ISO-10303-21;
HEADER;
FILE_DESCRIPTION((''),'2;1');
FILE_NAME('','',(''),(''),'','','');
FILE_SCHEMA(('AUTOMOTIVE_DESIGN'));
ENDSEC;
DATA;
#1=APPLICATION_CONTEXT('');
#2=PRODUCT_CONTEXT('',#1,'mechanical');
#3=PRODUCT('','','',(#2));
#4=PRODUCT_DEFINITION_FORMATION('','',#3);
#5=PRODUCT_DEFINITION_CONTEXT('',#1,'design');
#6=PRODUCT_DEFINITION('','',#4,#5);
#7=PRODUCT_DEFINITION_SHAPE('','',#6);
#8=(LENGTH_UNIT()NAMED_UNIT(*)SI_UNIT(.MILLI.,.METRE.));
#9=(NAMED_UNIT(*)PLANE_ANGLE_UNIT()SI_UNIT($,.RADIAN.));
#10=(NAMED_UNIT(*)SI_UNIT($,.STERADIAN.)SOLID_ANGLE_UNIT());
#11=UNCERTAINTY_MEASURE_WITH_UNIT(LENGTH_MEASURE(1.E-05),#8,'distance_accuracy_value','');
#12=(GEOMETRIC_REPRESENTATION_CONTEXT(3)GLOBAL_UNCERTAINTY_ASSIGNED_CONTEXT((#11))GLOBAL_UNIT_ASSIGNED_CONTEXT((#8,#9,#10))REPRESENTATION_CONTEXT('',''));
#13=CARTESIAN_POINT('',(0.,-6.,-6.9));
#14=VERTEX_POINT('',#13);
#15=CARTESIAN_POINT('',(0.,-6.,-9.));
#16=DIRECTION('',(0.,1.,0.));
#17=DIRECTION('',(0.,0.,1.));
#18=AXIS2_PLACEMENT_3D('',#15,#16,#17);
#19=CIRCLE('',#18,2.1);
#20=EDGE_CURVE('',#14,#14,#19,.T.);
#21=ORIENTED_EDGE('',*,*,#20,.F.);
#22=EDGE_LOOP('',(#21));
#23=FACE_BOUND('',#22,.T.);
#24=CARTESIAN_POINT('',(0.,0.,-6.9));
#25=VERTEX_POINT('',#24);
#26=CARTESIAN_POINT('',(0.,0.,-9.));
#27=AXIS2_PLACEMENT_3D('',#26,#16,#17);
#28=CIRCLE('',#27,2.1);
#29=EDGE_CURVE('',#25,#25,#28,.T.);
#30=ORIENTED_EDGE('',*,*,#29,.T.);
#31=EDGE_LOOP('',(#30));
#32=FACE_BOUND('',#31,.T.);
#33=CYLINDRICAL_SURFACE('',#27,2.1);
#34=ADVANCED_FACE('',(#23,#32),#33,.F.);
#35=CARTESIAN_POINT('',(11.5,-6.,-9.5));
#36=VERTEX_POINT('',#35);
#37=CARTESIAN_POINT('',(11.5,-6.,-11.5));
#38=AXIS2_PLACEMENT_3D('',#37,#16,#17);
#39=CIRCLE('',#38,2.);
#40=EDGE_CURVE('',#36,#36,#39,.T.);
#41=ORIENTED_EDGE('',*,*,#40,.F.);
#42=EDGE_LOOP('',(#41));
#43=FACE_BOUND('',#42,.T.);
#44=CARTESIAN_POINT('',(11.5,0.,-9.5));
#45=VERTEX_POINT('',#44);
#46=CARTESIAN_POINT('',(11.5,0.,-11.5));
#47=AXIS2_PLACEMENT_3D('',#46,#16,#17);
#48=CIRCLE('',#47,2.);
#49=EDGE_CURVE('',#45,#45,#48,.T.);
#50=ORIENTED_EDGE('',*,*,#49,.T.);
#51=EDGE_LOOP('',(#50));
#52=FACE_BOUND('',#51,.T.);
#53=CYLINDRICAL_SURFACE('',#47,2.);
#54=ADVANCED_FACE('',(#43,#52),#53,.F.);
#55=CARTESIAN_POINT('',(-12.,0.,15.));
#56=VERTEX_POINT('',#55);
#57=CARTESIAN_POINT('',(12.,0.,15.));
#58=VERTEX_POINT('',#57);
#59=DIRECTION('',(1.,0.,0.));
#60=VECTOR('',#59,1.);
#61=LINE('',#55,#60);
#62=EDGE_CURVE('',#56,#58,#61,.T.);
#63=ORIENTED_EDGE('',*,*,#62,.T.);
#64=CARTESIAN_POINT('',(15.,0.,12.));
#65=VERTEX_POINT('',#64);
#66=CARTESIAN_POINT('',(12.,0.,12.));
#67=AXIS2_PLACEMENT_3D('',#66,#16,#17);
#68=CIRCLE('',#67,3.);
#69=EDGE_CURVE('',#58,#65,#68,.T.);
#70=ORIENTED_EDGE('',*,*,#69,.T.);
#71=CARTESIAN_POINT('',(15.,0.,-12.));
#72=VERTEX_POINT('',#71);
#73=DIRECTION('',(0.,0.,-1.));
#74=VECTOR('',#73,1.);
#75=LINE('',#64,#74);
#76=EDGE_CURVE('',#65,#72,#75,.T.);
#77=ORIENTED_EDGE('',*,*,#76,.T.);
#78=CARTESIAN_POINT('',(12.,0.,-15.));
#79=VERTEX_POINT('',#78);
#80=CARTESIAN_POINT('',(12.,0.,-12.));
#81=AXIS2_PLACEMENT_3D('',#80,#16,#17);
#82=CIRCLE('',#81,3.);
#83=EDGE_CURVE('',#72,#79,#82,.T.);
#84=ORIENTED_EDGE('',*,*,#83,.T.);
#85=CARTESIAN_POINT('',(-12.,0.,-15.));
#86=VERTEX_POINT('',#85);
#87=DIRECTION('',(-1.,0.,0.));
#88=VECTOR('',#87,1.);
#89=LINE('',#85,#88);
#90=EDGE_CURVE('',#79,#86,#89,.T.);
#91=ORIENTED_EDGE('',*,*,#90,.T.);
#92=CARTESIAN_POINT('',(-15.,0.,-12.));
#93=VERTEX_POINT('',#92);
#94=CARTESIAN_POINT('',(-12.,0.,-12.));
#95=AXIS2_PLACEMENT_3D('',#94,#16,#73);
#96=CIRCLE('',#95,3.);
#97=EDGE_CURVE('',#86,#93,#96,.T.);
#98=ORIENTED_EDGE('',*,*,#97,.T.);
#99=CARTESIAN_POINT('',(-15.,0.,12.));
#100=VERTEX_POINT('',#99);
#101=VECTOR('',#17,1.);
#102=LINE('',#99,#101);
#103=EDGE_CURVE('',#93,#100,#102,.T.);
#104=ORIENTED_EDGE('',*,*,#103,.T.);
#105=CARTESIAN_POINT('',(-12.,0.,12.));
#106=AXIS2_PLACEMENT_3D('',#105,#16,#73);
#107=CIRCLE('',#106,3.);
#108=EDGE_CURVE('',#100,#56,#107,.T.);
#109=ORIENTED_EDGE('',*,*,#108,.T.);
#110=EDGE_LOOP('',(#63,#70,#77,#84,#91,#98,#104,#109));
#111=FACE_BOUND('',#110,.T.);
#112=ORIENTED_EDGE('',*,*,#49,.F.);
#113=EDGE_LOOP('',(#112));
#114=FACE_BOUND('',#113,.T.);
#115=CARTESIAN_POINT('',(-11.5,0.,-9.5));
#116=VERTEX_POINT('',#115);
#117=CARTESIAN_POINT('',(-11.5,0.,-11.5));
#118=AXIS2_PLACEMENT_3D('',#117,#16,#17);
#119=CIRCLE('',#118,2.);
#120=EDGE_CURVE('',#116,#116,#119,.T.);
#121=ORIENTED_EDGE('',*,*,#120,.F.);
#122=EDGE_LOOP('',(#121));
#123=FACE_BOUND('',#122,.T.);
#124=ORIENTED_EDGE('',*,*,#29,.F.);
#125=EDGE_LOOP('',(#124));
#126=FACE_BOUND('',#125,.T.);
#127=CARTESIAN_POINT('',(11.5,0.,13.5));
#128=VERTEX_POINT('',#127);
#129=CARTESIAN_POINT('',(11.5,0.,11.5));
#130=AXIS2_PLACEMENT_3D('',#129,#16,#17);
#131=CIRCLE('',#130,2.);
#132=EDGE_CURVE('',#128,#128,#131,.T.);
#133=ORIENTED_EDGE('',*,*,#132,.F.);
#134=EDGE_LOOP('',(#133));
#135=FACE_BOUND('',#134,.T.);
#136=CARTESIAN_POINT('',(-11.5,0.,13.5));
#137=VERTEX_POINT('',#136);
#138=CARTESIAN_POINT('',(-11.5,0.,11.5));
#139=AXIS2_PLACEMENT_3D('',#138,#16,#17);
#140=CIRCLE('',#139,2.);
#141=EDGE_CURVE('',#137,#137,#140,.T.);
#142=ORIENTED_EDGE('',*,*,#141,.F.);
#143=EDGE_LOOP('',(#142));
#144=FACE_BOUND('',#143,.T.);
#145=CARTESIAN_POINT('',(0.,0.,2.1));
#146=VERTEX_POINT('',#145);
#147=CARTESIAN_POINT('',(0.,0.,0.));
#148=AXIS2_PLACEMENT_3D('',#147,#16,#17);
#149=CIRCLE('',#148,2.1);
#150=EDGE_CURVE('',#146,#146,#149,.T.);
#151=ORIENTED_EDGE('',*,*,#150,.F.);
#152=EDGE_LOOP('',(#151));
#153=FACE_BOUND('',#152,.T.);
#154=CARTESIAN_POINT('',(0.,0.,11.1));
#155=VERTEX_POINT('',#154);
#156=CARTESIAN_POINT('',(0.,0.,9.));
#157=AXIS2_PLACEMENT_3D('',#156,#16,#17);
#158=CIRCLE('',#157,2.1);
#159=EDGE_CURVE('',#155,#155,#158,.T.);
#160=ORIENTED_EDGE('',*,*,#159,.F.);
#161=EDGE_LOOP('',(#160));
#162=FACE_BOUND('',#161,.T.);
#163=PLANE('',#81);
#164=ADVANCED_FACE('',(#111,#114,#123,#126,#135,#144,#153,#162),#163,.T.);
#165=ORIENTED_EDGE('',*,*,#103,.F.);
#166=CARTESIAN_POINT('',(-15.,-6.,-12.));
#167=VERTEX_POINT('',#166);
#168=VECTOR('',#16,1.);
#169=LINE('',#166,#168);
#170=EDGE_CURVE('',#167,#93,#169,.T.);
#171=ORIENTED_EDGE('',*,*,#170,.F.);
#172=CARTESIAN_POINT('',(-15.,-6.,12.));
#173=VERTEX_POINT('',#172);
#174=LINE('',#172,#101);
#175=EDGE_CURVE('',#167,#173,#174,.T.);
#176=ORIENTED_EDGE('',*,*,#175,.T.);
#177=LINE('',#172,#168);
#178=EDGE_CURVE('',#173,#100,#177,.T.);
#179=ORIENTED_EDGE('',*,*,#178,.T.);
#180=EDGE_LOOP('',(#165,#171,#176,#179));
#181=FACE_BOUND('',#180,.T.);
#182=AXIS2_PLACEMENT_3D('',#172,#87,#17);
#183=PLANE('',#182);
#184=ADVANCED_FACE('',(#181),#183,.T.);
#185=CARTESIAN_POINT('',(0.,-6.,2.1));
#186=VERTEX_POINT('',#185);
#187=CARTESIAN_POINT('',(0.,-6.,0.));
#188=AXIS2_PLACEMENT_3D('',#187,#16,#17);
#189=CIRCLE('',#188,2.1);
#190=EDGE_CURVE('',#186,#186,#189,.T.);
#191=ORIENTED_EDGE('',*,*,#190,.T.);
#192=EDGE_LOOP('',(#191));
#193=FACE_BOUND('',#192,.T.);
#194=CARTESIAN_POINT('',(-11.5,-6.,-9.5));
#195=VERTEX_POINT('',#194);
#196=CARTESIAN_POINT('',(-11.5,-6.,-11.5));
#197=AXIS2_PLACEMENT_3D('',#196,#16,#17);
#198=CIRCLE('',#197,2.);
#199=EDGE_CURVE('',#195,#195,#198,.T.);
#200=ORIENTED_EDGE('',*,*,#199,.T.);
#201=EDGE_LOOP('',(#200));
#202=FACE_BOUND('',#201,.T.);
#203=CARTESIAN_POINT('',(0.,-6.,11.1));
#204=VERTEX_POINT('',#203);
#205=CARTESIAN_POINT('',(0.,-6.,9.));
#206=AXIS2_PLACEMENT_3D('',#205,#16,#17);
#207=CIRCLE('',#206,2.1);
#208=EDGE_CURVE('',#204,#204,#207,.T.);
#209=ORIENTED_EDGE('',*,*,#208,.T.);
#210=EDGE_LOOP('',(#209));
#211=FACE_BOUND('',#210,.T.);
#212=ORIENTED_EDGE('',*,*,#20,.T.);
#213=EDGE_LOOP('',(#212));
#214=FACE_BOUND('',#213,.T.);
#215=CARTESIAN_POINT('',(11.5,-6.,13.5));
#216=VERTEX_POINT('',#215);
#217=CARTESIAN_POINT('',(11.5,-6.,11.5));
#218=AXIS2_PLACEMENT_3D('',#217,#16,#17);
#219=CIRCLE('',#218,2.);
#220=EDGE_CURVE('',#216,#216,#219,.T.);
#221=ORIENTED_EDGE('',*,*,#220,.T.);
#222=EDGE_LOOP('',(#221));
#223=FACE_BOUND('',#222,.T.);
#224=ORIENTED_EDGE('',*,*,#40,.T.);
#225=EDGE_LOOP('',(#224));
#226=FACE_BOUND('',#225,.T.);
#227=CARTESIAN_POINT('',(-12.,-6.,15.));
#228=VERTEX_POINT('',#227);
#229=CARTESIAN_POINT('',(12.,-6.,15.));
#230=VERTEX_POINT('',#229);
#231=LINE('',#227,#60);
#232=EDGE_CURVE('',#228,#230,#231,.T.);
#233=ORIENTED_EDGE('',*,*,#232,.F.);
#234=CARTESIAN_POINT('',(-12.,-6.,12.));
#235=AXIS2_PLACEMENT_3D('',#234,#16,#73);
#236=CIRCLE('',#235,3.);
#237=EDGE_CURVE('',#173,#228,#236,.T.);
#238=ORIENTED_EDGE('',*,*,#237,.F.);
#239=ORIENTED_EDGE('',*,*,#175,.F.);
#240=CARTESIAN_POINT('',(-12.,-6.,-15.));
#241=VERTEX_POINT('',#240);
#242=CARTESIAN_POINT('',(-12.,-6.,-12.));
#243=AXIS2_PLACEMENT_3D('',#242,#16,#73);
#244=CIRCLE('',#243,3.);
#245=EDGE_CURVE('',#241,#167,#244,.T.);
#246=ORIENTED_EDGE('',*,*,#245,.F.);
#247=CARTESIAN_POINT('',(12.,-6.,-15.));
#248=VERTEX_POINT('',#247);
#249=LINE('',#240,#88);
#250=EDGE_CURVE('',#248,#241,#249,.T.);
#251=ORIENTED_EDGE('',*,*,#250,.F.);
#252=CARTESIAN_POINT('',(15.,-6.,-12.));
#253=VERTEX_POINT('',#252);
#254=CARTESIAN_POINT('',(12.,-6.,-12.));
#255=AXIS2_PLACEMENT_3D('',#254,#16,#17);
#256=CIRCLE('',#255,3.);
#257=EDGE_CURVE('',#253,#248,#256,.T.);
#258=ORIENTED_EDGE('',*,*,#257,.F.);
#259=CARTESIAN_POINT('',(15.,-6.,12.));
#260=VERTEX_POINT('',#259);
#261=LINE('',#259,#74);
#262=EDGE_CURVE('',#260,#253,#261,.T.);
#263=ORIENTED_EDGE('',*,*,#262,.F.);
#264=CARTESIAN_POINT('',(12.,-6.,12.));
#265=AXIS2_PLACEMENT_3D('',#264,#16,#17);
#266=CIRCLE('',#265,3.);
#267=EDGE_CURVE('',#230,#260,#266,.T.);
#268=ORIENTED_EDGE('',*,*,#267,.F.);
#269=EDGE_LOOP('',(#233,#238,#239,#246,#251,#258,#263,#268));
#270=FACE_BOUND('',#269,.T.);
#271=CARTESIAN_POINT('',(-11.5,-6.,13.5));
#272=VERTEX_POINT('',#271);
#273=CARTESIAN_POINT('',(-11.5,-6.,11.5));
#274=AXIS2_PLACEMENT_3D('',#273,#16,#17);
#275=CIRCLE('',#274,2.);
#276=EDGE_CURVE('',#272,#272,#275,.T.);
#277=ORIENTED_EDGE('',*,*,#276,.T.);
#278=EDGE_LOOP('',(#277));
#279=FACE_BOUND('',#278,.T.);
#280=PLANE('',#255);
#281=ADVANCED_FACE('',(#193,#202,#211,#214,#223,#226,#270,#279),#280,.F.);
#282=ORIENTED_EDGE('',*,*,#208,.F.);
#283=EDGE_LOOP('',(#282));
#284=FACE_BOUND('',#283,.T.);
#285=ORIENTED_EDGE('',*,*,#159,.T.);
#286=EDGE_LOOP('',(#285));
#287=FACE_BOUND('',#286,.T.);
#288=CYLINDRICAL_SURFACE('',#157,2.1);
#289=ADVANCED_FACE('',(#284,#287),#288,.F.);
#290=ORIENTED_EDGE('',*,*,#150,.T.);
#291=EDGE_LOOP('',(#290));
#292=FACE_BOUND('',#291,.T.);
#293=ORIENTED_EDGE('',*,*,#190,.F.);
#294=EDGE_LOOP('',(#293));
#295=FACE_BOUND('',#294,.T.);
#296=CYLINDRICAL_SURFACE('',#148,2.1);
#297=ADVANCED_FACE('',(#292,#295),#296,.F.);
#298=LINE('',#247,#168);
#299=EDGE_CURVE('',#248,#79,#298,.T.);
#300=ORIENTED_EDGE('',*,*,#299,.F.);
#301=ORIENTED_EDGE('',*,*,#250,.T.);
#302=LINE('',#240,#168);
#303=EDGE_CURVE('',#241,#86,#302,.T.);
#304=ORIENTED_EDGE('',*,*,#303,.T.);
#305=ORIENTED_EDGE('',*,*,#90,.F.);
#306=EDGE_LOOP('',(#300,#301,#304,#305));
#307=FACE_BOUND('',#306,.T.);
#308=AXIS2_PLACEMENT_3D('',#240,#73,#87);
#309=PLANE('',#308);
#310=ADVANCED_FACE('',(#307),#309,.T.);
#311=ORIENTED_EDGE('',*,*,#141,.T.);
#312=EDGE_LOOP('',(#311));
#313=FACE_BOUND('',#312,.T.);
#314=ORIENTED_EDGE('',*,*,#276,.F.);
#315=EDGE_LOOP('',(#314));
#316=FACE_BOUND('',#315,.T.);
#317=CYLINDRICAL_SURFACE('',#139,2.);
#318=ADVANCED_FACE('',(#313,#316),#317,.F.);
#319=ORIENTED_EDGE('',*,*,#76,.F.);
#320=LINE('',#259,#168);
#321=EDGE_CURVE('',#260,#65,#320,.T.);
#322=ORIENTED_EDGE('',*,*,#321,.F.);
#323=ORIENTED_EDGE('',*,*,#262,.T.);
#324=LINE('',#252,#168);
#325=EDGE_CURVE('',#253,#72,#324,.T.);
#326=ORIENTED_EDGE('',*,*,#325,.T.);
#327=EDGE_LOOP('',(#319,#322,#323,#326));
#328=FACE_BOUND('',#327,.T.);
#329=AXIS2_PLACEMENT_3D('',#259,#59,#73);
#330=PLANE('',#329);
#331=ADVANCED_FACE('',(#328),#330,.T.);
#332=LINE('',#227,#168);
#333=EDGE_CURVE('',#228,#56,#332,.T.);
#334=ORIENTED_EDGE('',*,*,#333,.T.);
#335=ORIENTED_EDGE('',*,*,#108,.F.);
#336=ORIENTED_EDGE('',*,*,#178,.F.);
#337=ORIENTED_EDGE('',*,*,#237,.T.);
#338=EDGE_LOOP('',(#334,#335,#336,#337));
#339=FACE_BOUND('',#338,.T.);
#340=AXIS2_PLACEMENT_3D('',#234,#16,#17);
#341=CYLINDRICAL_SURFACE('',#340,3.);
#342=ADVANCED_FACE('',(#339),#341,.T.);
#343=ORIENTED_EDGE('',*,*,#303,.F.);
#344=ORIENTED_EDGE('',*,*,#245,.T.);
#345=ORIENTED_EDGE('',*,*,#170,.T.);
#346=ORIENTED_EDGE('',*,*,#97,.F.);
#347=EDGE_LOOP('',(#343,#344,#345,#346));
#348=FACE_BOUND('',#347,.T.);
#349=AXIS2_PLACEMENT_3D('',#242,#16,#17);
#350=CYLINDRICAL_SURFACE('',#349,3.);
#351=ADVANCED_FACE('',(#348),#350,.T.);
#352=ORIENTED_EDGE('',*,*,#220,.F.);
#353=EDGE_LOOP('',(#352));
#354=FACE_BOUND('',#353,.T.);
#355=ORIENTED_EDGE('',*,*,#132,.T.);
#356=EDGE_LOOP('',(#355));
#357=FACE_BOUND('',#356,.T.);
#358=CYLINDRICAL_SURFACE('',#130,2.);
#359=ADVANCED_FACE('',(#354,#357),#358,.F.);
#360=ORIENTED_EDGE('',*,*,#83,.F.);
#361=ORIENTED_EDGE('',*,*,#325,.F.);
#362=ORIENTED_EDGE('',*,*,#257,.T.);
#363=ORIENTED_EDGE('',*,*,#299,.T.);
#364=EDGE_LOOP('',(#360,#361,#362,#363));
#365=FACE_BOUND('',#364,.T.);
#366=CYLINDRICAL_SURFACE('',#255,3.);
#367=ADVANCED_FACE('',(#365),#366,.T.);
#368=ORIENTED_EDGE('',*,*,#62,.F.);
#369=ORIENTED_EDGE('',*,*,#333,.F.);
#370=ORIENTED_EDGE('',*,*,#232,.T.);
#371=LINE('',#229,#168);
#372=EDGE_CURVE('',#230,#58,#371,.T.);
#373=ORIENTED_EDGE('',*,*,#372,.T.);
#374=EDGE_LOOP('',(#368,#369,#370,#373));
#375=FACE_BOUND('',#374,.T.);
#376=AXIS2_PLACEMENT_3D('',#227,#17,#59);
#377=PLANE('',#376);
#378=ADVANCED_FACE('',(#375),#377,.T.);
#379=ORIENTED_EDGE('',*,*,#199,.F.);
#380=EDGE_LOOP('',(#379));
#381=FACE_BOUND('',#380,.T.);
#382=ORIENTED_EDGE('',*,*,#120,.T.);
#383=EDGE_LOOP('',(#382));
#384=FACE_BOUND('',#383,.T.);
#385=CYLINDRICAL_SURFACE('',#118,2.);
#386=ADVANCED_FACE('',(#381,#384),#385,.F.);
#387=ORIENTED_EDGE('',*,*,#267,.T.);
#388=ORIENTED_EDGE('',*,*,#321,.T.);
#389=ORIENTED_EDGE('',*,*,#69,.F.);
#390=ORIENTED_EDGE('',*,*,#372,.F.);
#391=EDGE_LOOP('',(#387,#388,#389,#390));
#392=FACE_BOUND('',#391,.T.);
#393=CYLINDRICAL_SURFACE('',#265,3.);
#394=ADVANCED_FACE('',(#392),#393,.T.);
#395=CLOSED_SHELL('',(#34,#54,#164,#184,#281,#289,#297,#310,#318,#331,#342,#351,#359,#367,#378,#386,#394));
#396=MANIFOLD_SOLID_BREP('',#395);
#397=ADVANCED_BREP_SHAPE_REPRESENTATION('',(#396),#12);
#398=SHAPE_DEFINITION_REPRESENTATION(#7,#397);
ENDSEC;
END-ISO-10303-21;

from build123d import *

# Parameters (mm, degrees)
BOSS_EXTRUDE1_DEPTH          = 6
M5X0_8_TAPPED_HOLE1_D        = 4.2
F_4_0_4_DIAMETER_HOLE1_D     = 4
F_4_0_4_DIAMETER_HOLE1_DEPTH = 10
F_4_0_4_DIAMETER_HOLE1_TIP   = 1.201721238


with BuildPart() as part:
    # Sketch2 → Boss-Extrude1 (new body)
    with BuildSketch(Plane(origin=(0, 0, 0), x_dir=(1, 0, 0), z_dir=(0, 1, 0))):
        with BuildLine():
            Line((-12, -15), (12, -15))
            ThreePointArc((12, -15), (14.121320344, -14.121320344), (15, -12))
            Line((15, -12), (15, 12))
            ThreePointArc((15, 12), (14.121320344, 14.121320344), (12, 15))
            Line((12, 15), (-12, 15))
            ThreePointArc((-12, 15), (-14.121320344, 14.121320344), (-15, 12))
            Line((-15, 12), (-15, -12))
            ThreePointArc((-15, -12), (-14.121320344, -14.121320344), (-12, -15))
        make_face()
    extrude(amount=-BOSS_EXTRUDE1_DEPTH)

    # M5x0.8 Tapped Hole1 (through all)
    with Locations(Plane(origin=(0, 0, 0), x_dir=(1, 0, 0), z_dir=(0, 1, 0))):
        with Locations((0, 0), (0, 9), (0, -9)):
            Hole(M5X0_8_TAPPED_HOLE1_D / 2)

    # Ø4.0 (4) Diameter Hole1
    with Locations(Plane(origin=(0, 0, 0), x_dir=(1, 0, 0), z_dir=(0, 1, 0))):
        with Locations((-11.5, -11.5), (-11.5, 11.5), (11.5, 11.5), (11.5, -11.5)):
            Hole(F_4_0_4_DIAMETER_HOLE1_D / 2, depth=F_4_0_4_DIAMETER_HOLE1_DEPTH)
            with Locations((0, 0, -(F_4_0_4_DIAMETER_HOLE1_DEPTH + F_4_0_4_DIAMETER_HOLE1_TIP / 2))):  # 118° drill point
                Cone(0, F_4_0_4_DIAMETER_HOLE1_D / 2, F_4_0_4_DIAMETER_HOLE1_TIP, mode=Mode.SUBTRACT)


solid = part.part
